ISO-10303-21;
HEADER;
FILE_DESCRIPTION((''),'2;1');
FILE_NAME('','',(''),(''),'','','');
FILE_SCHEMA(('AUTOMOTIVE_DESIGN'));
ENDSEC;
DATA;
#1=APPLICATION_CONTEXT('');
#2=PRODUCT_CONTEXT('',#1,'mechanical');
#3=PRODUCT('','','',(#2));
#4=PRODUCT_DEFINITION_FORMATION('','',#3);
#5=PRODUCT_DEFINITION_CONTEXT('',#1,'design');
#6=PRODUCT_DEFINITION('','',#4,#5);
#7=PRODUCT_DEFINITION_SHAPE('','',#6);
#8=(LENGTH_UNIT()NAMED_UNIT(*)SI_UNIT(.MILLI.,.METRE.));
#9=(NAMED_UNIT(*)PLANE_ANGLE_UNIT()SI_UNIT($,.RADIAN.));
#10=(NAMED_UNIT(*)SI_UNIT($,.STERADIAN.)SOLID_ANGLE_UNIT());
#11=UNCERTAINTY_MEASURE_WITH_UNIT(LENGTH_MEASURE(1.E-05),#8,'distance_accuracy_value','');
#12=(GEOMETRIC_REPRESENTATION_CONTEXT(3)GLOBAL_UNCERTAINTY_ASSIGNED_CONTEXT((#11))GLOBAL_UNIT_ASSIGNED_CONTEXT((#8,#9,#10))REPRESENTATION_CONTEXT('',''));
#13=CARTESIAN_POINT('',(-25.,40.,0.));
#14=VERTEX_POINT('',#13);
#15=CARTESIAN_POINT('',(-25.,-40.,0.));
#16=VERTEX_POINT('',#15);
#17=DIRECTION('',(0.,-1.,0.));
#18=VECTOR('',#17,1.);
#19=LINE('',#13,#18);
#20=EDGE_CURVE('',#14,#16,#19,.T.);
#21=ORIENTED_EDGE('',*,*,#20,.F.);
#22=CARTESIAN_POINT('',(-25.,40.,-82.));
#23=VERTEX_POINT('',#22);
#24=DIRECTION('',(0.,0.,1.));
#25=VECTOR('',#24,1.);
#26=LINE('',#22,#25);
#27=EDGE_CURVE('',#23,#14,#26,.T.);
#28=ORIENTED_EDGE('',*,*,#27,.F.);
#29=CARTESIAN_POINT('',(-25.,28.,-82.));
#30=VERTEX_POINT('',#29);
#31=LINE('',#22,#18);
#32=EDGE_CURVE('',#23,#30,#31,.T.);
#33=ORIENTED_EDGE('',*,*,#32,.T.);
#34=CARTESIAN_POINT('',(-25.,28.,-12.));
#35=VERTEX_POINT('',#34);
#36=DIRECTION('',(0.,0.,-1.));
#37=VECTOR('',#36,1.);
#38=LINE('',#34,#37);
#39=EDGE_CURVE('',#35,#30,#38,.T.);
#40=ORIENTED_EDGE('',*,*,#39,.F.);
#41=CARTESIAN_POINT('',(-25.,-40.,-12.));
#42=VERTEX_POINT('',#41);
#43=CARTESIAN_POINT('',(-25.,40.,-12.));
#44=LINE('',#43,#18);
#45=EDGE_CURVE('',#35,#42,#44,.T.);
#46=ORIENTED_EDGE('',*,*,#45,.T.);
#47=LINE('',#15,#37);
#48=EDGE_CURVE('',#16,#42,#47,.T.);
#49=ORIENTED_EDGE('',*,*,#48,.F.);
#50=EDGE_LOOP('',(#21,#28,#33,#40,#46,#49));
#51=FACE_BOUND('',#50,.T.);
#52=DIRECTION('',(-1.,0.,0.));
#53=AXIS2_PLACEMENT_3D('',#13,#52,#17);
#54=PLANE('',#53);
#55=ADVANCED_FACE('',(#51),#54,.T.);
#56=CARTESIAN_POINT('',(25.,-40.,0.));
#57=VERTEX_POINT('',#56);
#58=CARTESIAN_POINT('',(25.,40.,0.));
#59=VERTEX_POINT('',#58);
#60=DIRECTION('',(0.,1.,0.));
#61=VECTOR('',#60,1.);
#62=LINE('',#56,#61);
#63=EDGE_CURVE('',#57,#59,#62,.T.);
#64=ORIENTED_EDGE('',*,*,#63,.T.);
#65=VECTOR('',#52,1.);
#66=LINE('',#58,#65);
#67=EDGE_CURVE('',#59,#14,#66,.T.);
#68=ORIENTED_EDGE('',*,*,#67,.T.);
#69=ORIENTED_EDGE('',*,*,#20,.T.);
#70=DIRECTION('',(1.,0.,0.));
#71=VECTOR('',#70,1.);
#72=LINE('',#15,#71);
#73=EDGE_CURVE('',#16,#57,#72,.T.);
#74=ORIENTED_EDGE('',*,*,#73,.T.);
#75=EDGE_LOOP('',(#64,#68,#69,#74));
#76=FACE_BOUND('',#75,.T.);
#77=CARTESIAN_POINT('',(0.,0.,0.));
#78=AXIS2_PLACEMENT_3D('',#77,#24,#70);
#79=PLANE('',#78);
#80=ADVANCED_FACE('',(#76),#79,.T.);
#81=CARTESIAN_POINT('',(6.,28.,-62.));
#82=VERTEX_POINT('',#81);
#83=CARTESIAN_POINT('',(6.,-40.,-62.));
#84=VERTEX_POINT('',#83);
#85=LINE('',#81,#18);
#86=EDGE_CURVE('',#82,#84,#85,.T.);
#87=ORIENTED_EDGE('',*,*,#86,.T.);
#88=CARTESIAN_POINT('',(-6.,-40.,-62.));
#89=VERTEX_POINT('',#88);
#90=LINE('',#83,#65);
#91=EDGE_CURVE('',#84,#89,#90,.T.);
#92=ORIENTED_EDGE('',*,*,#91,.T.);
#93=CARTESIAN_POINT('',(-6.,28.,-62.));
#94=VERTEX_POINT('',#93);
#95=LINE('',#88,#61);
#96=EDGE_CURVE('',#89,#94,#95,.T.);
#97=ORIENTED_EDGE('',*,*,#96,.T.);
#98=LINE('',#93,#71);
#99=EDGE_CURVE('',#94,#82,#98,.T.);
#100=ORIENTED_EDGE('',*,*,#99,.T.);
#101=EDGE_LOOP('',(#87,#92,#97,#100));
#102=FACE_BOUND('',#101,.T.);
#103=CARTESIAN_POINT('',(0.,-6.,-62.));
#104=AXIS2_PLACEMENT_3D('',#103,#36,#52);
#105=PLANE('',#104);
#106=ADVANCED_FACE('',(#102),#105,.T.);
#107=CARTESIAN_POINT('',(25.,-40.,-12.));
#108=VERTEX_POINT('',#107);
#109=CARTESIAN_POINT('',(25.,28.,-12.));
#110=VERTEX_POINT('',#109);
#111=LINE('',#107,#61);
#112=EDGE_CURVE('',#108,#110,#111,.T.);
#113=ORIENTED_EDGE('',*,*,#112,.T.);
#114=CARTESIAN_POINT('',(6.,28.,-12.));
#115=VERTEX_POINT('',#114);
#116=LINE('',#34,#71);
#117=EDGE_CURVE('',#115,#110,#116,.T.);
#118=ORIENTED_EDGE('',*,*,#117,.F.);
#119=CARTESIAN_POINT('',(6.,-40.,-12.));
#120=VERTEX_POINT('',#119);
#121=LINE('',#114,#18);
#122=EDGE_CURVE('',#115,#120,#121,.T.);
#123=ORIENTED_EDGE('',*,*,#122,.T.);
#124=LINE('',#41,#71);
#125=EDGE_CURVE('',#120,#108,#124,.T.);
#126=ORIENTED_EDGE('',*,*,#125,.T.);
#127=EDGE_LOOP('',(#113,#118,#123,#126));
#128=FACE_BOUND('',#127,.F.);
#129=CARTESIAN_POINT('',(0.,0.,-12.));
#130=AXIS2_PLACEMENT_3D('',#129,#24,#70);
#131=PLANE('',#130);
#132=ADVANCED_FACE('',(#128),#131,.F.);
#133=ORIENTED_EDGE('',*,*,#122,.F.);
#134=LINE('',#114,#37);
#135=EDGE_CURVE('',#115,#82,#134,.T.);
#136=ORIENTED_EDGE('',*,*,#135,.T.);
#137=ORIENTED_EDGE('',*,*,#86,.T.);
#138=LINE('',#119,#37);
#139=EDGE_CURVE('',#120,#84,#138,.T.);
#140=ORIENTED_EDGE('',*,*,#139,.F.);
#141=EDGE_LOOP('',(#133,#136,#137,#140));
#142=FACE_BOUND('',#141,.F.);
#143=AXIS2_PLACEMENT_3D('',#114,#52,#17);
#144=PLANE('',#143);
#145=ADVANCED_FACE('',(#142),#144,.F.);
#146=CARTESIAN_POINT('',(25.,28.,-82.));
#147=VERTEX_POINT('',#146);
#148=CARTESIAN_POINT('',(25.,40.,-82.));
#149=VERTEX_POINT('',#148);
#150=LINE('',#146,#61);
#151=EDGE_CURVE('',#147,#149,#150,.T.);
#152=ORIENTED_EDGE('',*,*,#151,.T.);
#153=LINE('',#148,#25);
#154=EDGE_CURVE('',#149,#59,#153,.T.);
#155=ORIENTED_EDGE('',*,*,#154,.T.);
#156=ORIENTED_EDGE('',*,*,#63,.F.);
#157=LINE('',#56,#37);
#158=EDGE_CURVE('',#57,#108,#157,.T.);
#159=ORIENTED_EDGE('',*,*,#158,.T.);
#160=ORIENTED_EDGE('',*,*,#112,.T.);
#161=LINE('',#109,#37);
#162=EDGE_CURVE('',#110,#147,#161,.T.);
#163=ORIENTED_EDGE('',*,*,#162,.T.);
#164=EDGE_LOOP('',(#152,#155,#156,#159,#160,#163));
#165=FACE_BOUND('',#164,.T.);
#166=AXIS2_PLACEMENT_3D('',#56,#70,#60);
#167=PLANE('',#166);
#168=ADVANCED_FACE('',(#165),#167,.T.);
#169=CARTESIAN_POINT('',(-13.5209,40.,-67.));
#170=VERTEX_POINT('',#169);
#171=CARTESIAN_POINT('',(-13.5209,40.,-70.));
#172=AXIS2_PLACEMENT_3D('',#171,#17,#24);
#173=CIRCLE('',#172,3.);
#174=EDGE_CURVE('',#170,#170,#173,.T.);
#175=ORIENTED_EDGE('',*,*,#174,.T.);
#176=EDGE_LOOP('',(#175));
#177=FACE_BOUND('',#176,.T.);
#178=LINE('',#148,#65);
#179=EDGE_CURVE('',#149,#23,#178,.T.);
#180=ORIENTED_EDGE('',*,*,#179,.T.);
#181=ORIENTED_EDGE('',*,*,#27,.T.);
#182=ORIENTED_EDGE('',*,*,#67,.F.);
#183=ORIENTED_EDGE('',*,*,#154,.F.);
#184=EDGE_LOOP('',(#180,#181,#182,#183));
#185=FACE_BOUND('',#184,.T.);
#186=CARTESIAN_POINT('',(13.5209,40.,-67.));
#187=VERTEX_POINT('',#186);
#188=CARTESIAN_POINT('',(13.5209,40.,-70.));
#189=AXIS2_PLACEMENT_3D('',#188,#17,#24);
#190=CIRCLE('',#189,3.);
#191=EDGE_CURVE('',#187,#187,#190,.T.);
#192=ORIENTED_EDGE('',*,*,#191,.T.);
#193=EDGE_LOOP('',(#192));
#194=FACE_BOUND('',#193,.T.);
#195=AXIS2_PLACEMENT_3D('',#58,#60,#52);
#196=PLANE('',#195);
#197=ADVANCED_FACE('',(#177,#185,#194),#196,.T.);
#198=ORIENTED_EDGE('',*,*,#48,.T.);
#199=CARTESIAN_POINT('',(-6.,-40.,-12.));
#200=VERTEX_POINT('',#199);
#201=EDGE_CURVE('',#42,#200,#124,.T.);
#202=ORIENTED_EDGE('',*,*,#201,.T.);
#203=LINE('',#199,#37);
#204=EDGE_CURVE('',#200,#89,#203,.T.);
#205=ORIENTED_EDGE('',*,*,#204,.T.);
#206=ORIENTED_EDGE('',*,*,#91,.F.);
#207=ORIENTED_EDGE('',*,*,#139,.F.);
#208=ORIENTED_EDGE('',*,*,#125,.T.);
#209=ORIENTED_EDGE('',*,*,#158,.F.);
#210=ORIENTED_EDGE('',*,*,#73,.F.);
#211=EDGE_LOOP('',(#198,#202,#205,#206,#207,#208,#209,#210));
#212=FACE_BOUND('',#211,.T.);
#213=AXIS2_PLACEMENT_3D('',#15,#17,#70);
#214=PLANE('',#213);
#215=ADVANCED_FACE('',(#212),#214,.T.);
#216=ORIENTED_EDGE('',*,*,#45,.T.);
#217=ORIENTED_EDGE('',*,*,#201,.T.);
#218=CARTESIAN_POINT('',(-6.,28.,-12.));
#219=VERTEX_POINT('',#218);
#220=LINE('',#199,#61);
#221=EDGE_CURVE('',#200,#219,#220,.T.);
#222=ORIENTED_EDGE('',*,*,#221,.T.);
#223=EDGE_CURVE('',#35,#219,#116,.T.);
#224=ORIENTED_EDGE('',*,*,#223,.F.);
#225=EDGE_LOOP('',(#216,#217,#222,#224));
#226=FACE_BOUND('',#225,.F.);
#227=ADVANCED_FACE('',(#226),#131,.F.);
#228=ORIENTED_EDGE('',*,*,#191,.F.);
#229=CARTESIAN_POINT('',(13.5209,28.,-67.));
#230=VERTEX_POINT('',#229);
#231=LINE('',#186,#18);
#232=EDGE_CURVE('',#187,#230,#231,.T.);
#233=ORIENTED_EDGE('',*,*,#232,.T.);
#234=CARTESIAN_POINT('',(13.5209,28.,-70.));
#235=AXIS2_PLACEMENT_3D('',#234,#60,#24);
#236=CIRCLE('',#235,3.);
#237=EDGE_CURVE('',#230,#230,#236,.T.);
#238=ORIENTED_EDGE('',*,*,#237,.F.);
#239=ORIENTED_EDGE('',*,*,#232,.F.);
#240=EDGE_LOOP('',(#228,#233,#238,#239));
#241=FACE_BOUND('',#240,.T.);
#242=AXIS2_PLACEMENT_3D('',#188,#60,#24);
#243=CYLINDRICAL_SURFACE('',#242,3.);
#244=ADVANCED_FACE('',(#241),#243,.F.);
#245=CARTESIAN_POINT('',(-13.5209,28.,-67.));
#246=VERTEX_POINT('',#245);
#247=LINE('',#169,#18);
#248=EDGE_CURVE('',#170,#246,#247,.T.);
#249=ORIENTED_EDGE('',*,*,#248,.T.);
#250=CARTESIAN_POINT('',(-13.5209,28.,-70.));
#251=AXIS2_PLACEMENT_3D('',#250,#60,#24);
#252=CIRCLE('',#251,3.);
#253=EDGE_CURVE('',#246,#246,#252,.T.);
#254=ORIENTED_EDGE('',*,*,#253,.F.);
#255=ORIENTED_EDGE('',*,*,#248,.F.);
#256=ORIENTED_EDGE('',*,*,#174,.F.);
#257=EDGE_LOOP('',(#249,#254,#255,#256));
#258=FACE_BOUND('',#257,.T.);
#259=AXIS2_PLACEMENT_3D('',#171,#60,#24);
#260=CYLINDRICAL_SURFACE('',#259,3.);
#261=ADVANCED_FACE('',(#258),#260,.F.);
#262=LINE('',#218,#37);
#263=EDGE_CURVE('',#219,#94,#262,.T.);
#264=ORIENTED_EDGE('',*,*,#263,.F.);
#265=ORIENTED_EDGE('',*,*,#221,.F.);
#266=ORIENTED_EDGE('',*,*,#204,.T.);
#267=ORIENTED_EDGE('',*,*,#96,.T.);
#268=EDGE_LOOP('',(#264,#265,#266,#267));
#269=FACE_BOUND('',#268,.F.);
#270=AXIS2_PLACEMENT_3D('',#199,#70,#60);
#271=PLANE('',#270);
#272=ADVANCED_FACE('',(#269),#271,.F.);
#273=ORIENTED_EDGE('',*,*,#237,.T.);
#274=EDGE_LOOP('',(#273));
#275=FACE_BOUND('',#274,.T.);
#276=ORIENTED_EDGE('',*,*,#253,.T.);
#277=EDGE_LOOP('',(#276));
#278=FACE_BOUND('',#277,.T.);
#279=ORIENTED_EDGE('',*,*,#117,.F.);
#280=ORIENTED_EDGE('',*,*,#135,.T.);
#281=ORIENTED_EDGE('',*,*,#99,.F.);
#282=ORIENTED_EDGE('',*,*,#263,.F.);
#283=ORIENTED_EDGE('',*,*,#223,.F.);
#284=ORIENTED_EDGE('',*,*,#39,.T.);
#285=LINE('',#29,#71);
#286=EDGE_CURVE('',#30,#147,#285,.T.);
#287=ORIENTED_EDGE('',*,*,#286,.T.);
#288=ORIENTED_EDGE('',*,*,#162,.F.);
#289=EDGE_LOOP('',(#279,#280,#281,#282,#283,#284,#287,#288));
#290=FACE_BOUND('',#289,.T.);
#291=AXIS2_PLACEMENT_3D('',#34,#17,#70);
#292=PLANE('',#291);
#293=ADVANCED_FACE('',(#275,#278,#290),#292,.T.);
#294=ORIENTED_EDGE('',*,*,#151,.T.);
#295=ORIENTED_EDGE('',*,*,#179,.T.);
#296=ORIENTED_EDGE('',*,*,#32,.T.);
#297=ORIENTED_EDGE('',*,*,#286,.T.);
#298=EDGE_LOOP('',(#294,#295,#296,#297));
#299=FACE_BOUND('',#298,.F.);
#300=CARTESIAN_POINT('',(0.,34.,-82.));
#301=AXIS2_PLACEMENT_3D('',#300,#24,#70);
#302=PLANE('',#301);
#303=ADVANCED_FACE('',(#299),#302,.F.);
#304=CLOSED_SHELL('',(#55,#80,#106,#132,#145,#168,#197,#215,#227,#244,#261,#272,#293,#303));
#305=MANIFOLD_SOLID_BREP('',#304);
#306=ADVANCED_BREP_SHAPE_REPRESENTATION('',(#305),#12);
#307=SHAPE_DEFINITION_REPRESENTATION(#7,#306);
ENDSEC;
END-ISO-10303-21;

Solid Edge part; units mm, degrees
sketch "Sketch1" plane through (0, 0, 0) normal (0, 0, 1) x (1, 0, 0)
  line L0 (25, -40) -> (25, 40)
  line L1 (25, 40) -> (-25, 40)
  line L2 (-25, 40) -> (-25, -40)
  line L3 (-25, -40) -> (25, -40)
extrude "Protrusion1" add sketch "Sketch1" against normal blind 12
sketch "Sketch2" plane through (0, 0, -12) normal (0, 0, -1) x (0, -1, 0)
  line L0 (-40, -25) -> (-40, 25)
  line L1 (-40, 25) -> (-28, 25)
  line L2 (-28, 25) -> (-28, -25)
  line L3 (-28, -25) -> (-40, -25)
extrude "ExtrudedProtrusion_2" add sketch "Sketch2" along normal blind 70
sketch "Sketch3" plane through (0, -6, -12) normal (0, 0, -1) x (0, -1, 0)
  line L0 (34, 6) -> (-34, 6)
  line L1 (-34, 6) -> (-34, -6)
  line L2 (-34, -6) -> (34, -6)
  line L3 (34, -6) -> (34, 6)
  dimension "D1" = 12
extrude "ExtrudedProtrusion_3" add sketch "Sketch3" along normal blind 50
hole "Hole_1" at (-13.5209, 40, -70) direction (0, -1, 0) diameter 6 end up to next
hole "Hole1" at (13.5209, 40, -70) direction (0, -1, 0) diameter 6 end up to next
